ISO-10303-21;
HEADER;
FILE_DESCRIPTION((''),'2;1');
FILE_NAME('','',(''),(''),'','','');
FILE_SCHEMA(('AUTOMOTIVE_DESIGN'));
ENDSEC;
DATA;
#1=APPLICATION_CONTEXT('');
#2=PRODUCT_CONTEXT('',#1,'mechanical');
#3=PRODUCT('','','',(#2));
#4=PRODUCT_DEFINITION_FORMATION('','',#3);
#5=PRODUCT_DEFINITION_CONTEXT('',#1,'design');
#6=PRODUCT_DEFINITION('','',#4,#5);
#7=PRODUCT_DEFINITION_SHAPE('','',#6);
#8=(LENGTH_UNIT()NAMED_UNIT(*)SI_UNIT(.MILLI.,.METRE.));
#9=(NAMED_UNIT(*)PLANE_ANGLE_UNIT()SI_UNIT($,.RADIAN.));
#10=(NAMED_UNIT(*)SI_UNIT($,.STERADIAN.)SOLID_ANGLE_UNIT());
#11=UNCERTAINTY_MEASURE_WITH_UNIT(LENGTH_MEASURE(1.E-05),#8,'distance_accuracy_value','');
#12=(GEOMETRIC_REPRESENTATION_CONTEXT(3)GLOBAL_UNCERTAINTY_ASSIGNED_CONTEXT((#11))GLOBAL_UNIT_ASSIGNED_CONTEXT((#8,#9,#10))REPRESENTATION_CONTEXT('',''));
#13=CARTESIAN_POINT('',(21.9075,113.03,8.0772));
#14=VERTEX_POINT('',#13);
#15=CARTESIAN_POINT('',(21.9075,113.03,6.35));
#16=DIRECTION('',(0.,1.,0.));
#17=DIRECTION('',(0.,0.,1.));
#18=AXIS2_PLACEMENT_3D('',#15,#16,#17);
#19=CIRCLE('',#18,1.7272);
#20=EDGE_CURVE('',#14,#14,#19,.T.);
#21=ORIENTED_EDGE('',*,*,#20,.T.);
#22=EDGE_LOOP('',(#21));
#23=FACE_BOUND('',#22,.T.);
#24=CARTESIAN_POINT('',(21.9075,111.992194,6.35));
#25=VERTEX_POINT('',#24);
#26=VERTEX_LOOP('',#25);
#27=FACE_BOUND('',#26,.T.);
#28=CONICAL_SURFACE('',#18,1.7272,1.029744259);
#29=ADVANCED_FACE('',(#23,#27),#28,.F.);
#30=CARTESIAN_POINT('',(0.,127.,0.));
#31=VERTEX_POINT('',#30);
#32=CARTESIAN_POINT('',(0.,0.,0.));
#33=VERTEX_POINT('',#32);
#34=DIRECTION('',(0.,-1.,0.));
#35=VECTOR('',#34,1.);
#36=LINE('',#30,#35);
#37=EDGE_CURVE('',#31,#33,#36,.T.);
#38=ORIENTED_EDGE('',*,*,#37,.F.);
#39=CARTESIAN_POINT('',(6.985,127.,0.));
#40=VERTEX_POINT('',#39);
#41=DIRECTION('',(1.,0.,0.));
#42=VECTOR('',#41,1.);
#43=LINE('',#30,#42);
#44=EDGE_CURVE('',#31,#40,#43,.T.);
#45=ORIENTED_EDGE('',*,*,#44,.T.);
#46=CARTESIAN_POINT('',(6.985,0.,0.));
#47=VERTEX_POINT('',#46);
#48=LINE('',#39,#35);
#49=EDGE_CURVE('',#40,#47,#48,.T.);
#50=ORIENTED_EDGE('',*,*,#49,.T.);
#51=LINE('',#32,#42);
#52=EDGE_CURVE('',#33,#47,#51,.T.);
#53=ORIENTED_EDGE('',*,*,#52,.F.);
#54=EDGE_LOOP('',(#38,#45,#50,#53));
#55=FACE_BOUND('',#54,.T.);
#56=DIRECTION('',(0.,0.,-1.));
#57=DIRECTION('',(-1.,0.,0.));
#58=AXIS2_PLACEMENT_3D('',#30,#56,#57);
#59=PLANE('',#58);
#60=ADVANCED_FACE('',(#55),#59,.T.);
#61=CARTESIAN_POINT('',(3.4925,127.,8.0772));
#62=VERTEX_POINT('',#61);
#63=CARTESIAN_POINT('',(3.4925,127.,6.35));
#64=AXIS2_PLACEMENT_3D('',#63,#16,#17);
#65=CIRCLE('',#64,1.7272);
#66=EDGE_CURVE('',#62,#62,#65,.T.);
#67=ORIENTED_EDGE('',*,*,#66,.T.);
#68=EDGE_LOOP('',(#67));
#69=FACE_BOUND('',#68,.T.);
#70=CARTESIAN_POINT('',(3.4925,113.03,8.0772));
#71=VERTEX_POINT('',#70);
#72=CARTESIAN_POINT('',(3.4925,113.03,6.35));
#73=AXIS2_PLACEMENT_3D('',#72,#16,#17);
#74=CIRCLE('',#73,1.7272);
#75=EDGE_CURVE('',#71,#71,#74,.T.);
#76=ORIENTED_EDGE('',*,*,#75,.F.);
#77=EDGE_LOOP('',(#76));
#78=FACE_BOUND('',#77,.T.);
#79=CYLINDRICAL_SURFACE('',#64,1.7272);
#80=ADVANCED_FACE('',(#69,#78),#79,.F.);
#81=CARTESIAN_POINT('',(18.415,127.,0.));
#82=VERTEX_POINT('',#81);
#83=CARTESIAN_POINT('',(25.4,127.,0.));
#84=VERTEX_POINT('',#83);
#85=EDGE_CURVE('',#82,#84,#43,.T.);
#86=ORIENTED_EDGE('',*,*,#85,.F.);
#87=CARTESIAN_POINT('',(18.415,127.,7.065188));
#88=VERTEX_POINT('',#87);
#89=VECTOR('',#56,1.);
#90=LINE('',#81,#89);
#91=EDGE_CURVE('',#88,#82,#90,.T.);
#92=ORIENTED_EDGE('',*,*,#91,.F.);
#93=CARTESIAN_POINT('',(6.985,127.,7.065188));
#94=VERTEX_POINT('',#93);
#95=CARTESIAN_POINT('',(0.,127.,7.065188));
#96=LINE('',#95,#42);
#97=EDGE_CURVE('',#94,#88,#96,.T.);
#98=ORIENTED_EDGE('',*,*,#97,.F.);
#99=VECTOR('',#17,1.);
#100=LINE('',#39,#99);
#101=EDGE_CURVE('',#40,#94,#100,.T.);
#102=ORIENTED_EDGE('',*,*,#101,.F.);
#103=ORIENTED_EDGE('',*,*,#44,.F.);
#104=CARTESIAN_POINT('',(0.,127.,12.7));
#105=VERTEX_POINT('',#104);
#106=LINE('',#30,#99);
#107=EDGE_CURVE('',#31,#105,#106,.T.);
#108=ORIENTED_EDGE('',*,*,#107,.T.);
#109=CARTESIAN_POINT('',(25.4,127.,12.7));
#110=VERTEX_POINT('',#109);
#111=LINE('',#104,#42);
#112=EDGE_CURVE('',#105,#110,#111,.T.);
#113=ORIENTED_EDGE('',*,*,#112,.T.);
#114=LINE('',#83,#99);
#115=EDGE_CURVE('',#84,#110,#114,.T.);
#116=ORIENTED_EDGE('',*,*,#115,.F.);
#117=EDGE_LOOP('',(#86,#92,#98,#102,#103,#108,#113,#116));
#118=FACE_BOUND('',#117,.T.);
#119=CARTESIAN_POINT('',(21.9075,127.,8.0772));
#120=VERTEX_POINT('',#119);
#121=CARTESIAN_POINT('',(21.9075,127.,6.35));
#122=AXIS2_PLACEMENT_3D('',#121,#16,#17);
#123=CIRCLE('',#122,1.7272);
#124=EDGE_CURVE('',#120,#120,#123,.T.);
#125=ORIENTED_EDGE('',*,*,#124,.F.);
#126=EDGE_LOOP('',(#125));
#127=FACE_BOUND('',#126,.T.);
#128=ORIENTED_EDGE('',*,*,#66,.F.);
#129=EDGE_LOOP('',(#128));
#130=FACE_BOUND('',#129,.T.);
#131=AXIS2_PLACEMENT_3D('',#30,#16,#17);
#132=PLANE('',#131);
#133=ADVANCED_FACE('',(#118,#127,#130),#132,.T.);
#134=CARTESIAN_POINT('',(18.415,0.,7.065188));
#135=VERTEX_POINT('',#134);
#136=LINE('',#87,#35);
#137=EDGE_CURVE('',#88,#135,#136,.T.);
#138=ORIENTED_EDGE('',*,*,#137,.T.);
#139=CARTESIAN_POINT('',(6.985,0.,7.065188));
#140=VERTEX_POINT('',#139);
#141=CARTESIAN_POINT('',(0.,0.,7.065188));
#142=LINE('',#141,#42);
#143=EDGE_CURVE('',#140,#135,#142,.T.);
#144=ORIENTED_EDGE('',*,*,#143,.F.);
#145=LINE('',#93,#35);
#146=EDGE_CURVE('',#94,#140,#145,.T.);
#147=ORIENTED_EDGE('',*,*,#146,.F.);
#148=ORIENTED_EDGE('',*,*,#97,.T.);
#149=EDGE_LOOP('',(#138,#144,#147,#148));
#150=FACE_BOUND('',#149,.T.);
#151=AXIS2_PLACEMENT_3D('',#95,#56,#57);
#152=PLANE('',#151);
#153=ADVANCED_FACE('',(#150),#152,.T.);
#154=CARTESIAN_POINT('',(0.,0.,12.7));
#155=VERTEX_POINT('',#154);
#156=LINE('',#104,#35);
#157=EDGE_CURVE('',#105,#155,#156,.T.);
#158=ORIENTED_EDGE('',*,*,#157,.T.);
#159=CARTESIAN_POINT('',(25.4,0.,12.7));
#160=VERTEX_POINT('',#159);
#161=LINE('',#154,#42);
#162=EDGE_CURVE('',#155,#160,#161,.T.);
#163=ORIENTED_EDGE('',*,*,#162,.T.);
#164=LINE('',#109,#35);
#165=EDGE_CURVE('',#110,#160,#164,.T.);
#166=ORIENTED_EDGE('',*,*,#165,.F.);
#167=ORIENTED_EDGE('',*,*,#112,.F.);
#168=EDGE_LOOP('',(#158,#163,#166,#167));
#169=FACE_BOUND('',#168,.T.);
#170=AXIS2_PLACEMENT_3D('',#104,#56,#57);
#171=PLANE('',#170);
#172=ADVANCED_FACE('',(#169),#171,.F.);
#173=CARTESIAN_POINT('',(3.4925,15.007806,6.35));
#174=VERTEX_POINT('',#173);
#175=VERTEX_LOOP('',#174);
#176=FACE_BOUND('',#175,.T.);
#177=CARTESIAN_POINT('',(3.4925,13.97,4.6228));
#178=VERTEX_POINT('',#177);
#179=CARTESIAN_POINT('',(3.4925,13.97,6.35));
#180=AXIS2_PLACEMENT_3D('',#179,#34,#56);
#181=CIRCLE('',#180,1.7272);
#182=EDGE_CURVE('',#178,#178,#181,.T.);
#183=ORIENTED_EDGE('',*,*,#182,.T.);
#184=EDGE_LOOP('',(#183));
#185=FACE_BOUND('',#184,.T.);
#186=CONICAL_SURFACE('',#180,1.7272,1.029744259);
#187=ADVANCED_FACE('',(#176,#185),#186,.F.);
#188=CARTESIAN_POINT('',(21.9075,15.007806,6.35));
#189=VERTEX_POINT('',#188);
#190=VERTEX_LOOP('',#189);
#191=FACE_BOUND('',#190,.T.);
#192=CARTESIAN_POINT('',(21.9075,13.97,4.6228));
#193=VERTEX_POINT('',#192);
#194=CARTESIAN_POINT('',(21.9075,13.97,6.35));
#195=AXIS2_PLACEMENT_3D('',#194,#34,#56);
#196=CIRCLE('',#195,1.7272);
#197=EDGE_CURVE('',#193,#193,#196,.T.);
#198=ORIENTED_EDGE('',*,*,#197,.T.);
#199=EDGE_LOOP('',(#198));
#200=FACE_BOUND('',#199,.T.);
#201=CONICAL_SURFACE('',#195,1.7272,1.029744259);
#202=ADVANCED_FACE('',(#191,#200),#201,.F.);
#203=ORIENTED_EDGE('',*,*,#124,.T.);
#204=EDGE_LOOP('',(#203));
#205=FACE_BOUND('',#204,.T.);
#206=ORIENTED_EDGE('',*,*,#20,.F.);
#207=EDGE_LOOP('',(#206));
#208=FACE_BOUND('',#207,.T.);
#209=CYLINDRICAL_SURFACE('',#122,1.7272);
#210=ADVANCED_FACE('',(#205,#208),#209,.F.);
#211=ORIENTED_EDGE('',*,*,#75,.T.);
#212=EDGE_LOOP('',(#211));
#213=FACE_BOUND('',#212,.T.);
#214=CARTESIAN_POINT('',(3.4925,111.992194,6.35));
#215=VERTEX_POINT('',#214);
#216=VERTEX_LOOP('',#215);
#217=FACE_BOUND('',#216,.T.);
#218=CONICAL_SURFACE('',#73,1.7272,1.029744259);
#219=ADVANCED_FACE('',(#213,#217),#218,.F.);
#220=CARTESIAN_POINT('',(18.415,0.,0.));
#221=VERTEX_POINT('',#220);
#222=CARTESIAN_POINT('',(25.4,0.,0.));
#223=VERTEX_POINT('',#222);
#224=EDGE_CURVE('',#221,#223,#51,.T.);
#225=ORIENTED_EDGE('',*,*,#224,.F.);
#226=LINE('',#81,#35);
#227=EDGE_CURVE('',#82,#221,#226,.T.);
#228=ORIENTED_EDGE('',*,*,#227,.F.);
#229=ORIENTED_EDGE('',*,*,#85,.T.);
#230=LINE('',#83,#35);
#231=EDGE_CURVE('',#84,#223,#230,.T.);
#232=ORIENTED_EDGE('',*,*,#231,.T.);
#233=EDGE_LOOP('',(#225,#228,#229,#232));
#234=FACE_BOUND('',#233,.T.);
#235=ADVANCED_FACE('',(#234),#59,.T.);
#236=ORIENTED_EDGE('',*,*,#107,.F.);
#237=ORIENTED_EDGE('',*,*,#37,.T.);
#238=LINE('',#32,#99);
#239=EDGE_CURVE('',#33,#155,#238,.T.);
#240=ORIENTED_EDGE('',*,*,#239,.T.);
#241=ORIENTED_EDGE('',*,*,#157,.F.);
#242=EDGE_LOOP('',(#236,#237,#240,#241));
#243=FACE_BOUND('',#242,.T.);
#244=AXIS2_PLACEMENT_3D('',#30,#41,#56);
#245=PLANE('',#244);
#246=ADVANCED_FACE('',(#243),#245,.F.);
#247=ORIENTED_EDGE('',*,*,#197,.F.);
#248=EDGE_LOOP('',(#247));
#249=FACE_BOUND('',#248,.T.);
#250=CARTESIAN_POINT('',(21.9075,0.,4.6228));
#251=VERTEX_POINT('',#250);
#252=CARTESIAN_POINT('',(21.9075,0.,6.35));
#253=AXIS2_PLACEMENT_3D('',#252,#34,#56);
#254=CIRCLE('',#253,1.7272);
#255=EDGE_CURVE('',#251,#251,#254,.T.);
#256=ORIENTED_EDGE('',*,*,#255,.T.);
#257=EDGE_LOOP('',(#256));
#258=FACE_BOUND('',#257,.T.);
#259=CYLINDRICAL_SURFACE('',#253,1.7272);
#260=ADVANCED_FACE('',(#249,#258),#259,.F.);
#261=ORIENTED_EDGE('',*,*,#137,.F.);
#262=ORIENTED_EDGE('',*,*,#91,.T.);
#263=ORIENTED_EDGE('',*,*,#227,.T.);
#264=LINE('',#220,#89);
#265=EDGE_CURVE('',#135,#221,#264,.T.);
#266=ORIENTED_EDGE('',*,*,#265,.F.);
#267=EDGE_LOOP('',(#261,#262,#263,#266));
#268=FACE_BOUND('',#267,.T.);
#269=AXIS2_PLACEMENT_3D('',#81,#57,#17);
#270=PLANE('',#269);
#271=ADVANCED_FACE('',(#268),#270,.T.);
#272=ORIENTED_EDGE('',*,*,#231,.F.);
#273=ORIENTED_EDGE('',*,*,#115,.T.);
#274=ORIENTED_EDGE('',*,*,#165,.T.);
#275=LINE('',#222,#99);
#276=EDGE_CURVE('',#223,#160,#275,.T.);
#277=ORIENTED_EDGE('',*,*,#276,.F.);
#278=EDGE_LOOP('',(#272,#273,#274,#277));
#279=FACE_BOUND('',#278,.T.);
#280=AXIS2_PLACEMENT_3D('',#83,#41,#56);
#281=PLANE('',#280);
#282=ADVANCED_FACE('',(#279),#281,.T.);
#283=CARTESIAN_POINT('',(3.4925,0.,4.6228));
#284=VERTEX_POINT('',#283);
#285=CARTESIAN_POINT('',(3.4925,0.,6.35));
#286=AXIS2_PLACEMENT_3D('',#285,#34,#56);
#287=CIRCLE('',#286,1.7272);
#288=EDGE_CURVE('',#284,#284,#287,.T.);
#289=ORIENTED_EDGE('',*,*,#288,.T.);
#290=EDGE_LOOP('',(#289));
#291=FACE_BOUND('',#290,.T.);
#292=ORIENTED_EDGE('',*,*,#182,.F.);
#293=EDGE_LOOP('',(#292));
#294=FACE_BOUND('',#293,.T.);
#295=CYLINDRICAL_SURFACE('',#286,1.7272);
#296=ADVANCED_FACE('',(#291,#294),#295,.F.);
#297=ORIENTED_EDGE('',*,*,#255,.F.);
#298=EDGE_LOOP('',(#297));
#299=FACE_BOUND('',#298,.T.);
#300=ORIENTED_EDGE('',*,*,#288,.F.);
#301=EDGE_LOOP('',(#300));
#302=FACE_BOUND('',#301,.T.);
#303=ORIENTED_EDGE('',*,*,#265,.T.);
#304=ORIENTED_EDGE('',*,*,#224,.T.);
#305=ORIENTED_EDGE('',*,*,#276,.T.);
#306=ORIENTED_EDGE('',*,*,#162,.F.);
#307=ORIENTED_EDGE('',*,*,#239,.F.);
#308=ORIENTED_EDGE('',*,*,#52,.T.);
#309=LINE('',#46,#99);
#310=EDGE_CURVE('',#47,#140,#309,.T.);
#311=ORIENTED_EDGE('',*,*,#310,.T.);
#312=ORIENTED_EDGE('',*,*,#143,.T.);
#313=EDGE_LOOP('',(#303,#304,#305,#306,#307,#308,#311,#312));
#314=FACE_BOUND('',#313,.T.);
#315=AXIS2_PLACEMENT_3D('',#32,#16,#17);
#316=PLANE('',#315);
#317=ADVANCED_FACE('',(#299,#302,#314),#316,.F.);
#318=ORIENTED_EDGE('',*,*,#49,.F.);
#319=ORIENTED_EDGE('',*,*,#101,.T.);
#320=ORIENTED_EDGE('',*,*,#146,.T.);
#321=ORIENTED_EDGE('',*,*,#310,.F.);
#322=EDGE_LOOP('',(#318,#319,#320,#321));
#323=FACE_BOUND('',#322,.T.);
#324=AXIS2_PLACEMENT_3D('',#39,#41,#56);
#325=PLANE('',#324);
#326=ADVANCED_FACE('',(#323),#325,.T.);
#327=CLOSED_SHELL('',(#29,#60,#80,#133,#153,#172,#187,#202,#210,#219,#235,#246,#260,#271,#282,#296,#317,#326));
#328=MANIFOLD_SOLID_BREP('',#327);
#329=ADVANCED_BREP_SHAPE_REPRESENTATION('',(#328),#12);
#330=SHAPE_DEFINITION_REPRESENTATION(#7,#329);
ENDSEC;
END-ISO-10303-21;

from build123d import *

# Parameters (mm, degrees)
BOSS_EXTRUDE1_DEPTH           = 127
TAP_DRILL_FOR_8_32_TAP2_D     = 3.4544
TAP_DRILL_FOR_8_32_TAP2_DEPTH = 13.97
TAP_DRILL_FOR_8_32_TAP2_TIP   = 1.037806461
TAP_DRILL_FOR_8_32_TAP3_D     = 3.4544
TAP_DRILL_FOR_8_32_TAP3_DEPTH = 13.97
TAP_DRILL_FOR_8_32_TAP3_TIP   = 1.037806461


with BuildPart() as part:
    # Sketch1 → Boss-Extrude1 (new body)
    with BuildSketch(Plane(origin=(0, 0, 0), x_dir=(1, 0, 0), z_dir=(0, 1, 0))):
        Polygon((18.415, 0), (25.4, 0), (25.4, -12.7), (0, -12.7), (0, 0), (6.985, 0), (6.985, -7.065187713), (18.415, -7.065187713), align=None)
    extrude(amount=BOSS_EXTRUDE1_DEPTH)

    # Tap Drill for #8-32 Tap2
    with Locations(Plane(origin=(3.4925, 0, 6.35), x_dir=(0, 0, -1), z_dir=(0, -1, 0))):
        with Locations((0, 0), (0, 18.415)):
            Hole(TAP_DRILL_FOR_8_32_TAP2_D / 2, depth=TAP_DRILL_FOR_8_32_TAP2_DEPTH)
            with Locations((0, 0, -(TAP_DRILL_FOR_8_32_TAP2_DEPTH + TAP_DRILL_FOR_8_32_TAP2_TIP / 2))):  # 118° drill point
                Cone(0, TAP_DRILL_FOR_8_32_TAP2_D / 2, TAP_DRILL_FOR_8_32_TAP2_TIP, mode=Mode.SUBTRACT)

    # Tap Drill for #8-32 Tap3
    with Locations(Plane(origin=(3.4925, 127, 6.35), x_dir=(0, 0, 1), z_dir=(0, 1, 0))):
        with Locations((0, 0), (0, 18.415)):
            Hole(TAP_DRILL_FOR_8_32_TAP3_D / 2, depth=TAP_DRILL_FOR_8_32_TAP3_DEPTH)
            with Locations((0, 0, -(TAP_DRILL_FOR_8_32_TAP3_DEPTH + TAP_DRILL_FOR_8_32_TAP3_TIP / 2))):  # 118° drill point
                Cone(0, TAP_DRILL_FOR_8_32_TAP3_D / 2, TAP_DRILL_FOR_8_32_TAP3_TIP, mode=Mode.SUBTRACT)


solid = part.part
